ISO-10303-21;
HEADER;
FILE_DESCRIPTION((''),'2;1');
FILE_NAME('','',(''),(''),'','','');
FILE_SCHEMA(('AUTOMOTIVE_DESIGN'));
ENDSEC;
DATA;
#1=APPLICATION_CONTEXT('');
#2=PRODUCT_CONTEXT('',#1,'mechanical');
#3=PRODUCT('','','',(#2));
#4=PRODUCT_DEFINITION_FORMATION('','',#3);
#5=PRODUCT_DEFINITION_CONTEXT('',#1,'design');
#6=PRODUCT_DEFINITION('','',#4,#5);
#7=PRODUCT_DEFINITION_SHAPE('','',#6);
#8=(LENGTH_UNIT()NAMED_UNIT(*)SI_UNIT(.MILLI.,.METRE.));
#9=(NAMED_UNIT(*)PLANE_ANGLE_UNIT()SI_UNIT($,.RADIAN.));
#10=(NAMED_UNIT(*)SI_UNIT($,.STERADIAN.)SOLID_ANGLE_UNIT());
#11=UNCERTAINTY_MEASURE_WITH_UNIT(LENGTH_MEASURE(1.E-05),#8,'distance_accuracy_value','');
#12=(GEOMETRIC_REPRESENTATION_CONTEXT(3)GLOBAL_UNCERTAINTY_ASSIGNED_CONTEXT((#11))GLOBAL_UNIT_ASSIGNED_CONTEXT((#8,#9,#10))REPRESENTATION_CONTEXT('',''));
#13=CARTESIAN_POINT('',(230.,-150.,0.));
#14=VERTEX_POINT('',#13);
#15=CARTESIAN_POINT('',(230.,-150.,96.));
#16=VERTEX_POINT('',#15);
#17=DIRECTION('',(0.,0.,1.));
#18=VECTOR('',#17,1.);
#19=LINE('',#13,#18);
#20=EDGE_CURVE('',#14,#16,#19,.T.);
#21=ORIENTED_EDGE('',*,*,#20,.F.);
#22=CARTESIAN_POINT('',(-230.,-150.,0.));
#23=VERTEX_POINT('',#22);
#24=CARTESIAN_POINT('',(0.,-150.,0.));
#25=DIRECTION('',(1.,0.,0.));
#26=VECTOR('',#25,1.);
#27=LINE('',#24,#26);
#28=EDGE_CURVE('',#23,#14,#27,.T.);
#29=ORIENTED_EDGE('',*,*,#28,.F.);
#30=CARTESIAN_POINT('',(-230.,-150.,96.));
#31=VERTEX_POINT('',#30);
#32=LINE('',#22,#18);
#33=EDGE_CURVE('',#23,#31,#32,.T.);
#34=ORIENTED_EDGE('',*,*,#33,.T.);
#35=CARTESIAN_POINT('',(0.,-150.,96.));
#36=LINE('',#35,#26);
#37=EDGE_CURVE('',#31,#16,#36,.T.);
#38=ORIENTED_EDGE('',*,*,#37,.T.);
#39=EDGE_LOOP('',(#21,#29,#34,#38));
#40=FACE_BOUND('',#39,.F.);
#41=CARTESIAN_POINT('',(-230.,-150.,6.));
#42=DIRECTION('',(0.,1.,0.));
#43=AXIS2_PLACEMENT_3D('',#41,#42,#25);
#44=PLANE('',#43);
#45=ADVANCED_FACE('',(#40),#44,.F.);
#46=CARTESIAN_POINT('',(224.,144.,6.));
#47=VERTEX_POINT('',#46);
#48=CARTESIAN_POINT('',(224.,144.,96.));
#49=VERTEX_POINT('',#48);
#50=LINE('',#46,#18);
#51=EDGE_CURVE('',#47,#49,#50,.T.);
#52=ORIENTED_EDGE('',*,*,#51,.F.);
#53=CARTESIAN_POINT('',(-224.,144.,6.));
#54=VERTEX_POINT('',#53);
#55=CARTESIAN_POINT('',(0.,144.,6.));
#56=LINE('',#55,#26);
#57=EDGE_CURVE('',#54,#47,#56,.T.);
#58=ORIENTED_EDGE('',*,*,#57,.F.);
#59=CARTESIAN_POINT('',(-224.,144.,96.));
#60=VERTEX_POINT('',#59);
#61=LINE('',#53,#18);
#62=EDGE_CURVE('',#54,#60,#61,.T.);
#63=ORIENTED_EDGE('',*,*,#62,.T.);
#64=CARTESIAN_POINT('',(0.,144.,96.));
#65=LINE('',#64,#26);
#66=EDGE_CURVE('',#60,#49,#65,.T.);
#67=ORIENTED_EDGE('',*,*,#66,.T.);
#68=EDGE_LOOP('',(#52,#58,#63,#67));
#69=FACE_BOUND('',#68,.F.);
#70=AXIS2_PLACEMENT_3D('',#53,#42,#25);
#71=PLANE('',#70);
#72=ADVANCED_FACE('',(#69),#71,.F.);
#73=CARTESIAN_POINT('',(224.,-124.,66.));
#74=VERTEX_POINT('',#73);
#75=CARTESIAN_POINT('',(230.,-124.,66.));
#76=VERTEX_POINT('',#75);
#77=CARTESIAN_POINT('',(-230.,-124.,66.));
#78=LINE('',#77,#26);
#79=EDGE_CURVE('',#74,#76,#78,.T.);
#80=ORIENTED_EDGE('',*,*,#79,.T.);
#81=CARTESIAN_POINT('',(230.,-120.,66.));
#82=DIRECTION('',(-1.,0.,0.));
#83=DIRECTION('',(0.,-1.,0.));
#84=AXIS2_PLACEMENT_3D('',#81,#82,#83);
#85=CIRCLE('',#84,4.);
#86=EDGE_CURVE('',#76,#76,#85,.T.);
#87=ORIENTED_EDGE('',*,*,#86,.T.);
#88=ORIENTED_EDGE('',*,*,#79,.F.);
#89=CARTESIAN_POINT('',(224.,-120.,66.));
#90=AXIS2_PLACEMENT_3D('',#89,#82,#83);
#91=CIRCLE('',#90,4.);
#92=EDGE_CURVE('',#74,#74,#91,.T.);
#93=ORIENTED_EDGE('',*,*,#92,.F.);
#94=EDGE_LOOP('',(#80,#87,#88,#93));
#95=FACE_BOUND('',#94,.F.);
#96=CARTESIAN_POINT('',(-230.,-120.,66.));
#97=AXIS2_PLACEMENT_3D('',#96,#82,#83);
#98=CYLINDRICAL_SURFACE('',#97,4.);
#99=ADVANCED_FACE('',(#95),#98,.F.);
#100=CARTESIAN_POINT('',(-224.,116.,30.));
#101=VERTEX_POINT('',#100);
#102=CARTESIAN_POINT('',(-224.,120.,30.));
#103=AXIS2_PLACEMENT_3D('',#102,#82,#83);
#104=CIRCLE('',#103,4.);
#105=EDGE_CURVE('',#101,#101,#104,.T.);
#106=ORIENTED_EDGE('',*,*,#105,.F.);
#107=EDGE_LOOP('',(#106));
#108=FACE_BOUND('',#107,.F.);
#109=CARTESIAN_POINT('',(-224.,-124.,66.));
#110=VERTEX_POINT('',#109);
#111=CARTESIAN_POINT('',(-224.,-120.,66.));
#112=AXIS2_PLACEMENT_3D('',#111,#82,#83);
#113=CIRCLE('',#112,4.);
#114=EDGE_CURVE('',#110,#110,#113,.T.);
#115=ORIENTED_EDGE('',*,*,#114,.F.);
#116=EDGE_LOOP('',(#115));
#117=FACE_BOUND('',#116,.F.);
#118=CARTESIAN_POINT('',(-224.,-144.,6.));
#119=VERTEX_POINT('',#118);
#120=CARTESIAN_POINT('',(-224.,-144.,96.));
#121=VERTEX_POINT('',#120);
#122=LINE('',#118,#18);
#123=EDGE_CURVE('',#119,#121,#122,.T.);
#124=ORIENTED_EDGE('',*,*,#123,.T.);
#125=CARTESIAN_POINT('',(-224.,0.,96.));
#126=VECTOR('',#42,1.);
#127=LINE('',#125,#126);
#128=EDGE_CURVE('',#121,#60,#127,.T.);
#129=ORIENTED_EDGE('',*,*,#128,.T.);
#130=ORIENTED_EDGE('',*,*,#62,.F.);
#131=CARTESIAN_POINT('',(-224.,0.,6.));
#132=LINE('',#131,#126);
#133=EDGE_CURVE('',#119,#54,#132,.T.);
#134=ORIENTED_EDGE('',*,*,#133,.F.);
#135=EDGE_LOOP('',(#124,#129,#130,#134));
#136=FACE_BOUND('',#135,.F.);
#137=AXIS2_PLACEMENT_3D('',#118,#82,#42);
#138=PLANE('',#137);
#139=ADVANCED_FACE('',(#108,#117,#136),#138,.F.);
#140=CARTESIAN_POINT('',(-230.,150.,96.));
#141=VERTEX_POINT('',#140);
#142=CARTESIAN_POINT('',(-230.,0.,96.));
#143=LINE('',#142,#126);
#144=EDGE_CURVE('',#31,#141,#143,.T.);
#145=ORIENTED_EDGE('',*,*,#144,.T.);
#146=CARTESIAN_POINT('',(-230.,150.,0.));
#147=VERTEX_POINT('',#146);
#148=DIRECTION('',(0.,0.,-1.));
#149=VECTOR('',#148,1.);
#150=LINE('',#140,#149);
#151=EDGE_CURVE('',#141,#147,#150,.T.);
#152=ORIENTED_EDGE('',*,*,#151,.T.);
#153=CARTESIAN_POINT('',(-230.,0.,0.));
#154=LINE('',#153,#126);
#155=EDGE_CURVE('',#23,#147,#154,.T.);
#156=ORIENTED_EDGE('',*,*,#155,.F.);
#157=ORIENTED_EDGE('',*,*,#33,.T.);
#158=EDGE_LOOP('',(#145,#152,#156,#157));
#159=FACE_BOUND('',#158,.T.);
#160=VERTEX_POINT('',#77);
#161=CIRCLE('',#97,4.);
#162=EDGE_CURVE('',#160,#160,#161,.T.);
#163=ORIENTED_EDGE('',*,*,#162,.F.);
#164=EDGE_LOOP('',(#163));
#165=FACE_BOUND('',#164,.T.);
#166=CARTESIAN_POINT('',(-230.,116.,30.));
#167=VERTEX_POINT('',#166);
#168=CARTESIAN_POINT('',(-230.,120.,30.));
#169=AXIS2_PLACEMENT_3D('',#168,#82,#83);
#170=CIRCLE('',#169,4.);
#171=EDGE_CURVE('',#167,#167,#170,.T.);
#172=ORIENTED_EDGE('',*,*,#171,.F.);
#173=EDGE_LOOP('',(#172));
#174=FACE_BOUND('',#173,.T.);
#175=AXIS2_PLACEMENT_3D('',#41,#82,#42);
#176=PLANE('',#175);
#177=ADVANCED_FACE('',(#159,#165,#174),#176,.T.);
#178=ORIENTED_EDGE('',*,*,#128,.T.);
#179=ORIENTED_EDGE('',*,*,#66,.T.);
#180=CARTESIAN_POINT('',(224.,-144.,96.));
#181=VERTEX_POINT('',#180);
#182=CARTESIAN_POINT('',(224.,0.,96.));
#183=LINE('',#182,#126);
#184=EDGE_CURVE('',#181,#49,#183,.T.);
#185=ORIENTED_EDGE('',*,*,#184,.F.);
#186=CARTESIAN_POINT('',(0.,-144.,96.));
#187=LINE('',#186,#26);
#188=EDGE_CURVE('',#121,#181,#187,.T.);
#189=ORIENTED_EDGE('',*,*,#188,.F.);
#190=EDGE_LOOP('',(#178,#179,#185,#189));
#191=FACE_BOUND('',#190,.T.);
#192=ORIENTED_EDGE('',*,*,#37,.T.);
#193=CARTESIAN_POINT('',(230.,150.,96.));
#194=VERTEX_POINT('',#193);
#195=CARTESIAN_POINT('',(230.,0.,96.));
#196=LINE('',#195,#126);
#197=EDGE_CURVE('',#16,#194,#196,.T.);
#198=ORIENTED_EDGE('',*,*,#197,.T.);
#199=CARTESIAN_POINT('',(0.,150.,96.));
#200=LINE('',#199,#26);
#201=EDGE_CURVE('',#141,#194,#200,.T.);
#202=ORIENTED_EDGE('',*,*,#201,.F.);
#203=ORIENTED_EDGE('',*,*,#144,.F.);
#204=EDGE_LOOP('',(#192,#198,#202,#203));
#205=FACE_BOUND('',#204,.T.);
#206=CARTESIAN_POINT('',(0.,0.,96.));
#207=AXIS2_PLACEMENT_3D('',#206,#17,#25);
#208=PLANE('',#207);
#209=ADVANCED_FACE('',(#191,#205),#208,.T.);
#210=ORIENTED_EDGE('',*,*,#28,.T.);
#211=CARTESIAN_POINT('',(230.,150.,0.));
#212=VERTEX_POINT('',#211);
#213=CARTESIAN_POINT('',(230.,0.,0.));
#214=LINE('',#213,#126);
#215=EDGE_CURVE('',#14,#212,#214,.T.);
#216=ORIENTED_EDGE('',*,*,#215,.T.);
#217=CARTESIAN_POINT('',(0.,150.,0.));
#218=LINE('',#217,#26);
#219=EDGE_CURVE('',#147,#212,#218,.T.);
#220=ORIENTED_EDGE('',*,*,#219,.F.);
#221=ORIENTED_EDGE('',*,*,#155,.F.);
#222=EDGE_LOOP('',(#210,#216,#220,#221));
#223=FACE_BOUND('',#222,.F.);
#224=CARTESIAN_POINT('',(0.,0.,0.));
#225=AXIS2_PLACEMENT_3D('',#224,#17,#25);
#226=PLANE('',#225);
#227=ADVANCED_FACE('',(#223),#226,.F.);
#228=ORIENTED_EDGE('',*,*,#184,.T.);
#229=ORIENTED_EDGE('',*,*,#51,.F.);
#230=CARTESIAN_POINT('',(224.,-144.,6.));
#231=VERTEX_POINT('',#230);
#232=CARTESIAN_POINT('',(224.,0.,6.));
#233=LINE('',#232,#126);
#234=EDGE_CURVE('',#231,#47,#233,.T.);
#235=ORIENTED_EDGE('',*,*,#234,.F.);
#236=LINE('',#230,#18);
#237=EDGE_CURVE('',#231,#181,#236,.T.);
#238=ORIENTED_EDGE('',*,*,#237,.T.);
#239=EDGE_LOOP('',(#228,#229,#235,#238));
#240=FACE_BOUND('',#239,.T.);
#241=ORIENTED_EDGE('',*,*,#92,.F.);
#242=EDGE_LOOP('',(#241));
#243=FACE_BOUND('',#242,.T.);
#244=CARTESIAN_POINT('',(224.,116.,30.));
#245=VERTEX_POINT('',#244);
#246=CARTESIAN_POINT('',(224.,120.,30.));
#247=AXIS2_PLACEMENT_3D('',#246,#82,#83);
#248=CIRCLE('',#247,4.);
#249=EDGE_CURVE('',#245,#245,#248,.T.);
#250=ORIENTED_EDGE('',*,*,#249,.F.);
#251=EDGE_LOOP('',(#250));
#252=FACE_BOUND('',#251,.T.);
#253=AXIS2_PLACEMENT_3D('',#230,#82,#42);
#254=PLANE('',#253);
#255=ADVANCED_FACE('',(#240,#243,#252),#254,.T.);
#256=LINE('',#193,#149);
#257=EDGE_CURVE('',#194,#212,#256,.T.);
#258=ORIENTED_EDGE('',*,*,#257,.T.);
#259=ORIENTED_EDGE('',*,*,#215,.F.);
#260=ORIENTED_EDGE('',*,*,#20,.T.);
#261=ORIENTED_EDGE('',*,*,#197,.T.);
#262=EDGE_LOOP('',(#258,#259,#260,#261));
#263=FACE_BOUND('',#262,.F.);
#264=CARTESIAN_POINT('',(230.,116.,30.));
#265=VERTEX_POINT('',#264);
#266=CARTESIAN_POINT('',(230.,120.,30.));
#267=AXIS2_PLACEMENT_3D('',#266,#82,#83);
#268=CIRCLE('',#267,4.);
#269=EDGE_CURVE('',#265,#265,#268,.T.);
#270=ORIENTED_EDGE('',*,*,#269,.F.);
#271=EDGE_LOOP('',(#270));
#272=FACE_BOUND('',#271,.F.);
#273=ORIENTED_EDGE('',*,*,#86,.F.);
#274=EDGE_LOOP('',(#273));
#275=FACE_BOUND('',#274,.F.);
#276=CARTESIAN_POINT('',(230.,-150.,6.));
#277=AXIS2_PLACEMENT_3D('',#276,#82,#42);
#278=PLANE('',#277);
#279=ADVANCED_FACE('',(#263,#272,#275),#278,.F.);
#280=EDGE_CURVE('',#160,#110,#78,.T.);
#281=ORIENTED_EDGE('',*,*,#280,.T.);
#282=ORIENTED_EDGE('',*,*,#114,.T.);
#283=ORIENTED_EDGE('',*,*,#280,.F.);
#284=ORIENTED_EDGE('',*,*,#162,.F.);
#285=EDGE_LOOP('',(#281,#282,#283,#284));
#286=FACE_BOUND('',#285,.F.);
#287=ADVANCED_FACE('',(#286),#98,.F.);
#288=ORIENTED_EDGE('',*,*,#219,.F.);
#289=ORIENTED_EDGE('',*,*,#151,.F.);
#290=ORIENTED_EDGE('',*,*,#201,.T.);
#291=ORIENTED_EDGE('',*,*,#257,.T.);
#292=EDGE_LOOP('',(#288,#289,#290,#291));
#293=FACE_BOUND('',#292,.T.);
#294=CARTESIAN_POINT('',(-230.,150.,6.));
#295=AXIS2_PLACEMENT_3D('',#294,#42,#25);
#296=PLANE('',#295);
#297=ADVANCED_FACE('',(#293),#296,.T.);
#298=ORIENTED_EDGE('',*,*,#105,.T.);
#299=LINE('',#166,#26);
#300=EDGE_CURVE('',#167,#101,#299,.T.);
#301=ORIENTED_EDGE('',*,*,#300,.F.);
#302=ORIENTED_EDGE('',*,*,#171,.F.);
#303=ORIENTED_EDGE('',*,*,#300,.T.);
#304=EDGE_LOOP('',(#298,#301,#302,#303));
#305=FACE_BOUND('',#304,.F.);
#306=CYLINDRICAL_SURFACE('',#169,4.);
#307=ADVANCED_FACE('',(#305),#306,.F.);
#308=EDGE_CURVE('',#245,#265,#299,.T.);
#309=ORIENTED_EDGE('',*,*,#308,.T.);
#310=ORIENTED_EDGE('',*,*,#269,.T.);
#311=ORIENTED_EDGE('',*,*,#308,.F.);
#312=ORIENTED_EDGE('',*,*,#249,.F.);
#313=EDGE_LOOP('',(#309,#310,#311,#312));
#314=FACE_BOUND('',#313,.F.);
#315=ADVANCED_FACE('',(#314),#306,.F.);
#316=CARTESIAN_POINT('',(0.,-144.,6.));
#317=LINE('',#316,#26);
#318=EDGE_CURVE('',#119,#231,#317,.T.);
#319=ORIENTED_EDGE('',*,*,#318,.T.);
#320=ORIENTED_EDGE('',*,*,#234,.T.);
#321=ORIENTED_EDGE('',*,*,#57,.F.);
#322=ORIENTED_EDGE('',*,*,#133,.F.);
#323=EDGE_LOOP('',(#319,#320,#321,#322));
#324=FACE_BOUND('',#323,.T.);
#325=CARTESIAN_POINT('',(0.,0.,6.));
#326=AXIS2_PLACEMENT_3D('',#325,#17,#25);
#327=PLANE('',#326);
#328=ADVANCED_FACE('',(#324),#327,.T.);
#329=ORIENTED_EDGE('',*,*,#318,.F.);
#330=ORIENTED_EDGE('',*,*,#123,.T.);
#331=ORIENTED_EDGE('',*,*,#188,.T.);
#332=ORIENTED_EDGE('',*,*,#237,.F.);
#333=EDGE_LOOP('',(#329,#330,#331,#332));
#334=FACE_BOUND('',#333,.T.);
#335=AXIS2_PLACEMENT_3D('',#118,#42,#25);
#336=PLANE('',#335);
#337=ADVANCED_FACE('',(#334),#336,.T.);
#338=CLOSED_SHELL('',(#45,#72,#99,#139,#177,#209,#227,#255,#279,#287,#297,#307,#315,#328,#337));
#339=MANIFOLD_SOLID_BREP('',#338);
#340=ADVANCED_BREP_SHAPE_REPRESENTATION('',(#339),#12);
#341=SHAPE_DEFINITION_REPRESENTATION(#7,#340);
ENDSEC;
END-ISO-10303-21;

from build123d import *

# Parameters (mm, degrees)
F0_W     = 460
F0_H     = 300
F1_DEPTH = 6
F2_W     = 460
F2_H     = 300
F2_W_2   = 448
F2_H_2   = 288
F3_DEPTH = 90
F4_R     = 4
F5_DEPTH = 460


with BuildPart() as f1:
    # F0 (on Top) → F1 (new body)
    with BuildSketch(Plane.XY):
        Rectangle(F0_W, F0_H)
    extrude(amount=F1_DEPTH)

    # F2 (on face) → F3 (join)
    with BuildSketch(Plane.XY.offset(6)):
        Rectangle(F2_W, F2_H)
        Rectangle(F2_W_2, F2_H_2, mode=Mode.SUBTRACT)
    extrude(amount=F3_DEPTH)

    # F4 (on face) → F5 (cut, through all)
    with BuildSketch(Plane(origin=(-230, 0, 0), x_dir=(0, -1, 0), z_dir=(-1, 0, 0))):
        with Locations((-120, 30)):
            Circle(F4_R)
        with Locations((120, 66)):
            Circle(F4_R)
    extrude(amount=-F5_DEPTH, mode=Mode.SUBTRACT)


solid = f1.part
